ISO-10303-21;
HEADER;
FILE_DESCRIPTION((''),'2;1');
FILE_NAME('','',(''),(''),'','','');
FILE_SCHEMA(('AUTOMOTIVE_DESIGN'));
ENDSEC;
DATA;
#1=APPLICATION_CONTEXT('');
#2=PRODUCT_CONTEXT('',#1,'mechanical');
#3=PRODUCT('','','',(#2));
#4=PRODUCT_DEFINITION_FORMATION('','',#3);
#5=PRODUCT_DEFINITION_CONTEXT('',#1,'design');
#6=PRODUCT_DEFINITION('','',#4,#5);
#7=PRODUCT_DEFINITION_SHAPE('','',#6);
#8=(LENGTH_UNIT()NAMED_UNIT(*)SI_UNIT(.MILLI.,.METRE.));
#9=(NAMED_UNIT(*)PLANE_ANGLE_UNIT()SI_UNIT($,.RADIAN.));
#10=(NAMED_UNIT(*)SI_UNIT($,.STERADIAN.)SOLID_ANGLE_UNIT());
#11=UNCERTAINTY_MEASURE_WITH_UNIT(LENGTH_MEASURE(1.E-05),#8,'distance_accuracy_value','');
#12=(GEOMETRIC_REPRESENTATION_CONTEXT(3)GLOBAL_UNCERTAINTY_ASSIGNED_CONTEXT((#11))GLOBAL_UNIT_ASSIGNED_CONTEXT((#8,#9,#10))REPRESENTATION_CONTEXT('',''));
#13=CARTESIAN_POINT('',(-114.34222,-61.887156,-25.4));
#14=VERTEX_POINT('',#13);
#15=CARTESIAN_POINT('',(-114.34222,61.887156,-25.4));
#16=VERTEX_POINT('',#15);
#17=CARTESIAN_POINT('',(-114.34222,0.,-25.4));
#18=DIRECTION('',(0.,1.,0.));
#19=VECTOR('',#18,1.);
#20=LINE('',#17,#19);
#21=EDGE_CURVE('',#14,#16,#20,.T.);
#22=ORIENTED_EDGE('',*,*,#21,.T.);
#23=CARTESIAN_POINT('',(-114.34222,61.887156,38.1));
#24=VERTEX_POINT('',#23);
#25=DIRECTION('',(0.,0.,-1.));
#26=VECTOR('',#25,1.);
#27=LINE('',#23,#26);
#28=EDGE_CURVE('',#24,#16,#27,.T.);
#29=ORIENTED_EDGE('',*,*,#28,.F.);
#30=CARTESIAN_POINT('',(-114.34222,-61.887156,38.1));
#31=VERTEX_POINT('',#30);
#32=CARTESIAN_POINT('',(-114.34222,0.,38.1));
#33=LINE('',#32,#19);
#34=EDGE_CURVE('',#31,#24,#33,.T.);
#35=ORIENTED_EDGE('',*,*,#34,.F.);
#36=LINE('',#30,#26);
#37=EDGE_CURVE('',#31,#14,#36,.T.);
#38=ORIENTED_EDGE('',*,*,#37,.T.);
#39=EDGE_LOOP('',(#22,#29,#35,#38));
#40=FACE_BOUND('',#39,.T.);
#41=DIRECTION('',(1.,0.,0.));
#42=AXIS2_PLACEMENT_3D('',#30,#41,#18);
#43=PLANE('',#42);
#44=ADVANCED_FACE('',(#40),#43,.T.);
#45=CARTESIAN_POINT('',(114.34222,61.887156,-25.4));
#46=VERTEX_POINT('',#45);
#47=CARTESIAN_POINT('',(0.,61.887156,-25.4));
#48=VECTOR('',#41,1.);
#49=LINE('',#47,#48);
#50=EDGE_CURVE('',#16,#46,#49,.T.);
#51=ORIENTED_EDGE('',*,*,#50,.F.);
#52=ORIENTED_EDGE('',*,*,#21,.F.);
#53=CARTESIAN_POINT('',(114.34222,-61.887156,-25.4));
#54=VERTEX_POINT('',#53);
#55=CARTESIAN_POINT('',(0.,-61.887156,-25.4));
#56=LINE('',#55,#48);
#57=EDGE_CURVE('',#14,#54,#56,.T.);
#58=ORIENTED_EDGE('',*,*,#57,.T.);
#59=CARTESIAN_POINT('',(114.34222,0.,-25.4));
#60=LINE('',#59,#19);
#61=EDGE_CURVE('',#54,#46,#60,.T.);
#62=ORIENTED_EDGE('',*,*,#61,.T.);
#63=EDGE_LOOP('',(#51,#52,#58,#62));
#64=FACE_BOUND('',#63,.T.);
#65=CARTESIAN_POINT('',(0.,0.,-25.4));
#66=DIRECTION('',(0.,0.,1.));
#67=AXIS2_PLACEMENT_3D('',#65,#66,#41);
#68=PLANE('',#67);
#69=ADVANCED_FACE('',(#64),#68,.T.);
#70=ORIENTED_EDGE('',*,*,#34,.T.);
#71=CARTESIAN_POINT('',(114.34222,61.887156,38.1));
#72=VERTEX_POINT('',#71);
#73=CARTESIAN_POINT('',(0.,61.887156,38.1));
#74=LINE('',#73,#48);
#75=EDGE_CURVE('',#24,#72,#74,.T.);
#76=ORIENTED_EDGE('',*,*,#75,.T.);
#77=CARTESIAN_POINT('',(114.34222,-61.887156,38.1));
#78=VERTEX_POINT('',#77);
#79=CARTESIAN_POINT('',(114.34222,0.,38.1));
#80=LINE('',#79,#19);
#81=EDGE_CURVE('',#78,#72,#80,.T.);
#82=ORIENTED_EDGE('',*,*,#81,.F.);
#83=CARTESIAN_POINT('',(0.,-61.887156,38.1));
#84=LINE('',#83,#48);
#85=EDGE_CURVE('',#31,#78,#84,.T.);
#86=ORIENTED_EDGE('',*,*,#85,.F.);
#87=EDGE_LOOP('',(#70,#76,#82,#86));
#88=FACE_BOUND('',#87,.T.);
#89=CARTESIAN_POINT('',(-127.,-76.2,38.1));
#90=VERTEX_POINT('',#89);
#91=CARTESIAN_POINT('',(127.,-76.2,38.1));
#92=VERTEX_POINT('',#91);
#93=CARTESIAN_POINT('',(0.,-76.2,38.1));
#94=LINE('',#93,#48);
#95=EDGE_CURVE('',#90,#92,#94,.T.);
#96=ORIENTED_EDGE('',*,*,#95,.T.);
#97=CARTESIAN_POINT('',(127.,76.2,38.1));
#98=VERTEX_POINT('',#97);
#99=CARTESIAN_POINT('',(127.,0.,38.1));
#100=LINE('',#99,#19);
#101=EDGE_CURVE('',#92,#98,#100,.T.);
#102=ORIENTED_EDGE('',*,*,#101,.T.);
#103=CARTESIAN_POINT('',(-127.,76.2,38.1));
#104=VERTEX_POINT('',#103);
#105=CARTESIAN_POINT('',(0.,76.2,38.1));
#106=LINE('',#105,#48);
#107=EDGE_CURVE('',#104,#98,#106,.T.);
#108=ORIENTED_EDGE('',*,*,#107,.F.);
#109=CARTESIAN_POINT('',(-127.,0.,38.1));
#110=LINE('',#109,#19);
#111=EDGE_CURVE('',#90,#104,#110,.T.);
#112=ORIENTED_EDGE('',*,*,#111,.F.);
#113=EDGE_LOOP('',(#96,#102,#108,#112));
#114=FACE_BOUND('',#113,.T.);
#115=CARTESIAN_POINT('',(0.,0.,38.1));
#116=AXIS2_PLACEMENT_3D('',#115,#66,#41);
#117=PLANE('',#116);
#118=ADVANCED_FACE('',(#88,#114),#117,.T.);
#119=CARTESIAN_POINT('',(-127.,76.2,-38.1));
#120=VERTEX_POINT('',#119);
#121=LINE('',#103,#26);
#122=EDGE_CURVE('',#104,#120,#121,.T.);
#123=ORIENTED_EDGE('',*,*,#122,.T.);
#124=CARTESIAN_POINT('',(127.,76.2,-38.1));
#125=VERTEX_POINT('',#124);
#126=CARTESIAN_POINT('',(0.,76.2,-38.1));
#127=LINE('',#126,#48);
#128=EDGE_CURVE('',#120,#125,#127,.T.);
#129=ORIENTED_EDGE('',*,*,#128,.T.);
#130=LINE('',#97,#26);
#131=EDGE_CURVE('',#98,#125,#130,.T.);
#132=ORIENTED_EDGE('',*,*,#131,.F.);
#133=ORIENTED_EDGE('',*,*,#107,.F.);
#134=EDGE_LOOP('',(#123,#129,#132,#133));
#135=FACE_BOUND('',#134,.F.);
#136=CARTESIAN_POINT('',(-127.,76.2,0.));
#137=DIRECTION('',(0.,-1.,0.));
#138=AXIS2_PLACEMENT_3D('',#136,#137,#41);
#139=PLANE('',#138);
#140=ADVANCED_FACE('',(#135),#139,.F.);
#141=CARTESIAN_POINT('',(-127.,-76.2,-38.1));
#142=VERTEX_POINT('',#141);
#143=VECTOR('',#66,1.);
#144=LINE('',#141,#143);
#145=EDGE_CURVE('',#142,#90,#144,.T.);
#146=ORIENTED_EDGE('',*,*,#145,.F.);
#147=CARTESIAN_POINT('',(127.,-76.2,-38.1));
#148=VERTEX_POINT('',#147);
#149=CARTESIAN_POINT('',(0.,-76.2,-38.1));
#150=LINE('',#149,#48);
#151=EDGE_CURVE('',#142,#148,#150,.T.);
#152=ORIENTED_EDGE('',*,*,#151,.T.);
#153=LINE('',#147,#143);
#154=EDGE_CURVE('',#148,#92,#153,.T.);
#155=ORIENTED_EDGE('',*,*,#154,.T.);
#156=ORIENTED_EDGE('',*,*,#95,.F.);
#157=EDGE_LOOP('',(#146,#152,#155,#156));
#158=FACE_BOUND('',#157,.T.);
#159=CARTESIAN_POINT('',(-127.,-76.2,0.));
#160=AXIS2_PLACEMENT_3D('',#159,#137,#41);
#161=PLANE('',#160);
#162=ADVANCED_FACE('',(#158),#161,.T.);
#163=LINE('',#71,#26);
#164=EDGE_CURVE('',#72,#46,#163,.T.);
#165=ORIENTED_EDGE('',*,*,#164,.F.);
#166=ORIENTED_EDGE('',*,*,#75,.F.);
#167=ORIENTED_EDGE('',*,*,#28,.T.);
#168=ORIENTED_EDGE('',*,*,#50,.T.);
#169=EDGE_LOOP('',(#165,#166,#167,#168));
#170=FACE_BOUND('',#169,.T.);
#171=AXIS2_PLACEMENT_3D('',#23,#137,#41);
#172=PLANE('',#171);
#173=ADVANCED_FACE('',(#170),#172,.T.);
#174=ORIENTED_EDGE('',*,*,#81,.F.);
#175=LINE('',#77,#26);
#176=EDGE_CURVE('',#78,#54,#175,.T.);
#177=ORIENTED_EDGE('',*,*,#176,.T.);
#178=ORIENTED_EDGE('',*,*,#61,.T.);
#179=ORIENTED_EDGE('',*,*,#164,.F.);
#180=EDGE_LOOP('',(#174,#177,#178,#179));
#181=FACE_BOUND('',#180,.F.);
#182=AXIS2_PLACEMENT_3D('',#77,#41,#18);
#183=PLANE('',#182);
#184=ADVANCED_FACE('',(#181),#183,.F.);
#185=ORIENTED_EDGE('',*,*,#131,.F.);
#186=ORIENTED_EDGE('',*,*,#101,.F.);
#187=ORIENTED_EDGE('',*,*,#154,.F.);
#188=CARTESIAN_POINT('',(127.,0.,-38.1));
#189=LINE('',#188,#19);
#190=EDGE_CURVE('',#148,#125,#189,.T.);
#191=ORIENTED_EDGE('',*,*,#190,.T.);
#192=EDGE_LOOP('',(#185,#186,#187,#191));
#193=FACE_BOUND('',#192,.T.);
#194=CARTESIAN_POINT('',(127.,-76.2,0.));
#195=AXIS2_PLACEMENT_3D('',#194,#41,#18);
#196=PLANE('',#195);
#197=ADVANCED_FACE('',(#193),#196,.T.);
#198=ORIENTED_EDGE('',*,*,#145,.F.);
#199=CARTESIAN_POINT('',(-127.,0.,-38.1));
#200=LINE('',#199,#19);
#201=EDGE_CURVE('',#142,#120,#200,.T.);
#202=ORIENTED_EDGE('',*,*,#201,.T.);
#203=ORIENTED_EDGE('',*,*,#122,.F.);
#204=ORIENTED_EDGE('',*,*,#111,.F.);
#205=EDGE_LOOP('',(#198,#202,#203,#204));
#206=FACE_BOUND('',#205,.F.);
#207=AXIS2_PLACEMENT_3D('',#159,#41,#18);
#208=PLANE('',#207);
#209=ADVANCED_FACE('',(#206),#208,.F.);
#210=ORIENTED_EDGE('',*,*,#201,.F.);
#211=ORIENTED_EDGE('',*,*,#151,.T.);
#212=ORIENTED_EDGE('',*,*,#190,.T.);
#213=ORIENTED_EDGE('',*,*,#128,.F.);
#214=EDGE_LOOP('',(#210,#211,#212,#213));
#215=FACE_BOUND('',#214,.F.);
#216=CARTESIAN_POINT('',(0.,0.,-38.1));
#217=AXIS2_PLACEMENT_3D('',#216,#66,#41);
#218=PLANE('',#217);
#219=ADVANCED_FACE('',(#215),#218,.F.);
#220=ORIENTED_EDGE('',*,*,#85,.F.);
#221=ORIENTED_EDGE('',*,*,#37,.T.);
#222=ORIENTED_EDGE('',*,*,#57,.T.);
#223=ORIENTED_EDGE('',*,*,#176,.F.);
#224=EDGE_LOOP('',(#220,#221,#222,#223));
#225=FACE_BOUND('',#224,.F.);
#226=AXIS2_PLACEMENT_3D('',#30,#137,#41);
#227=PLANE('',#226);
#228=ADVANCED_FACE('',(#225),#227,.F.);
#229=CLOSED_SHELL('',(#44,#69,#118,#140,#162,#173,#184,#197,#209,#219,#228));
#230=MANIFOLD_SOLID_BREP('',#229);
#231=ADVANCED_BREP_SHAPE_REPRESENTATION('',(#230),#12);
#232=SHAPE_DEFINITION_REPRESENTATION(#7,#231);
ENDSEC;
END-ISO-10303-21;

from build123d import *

# Parameters (mm, degrees)
F0_W     = 254
F0_H     = 152.4
F1_DEPTH = 38.1
F2_W     = 228.6844402552
F2_H     = 123.7743124366
F3_DEPTH = 63.5


with BuildPart() as f1:
    # F0 (on Top) → F1 (new body, symmetric)
    with BuildSketch(Plane.XY):
        Rectangle(F0_W, F0_H)
    extrude(amount=F1_DEPTH, both=True)

    # F2 (on face) → F3 (cut)
    with BuildSketch(Plane.XY.offset(38.1)):
        Rectangle(F2_W, F2_H)
    extrude(amount=-F3_DEPTH, mode=Mode.SUBTRACT)


solid = f1.part
